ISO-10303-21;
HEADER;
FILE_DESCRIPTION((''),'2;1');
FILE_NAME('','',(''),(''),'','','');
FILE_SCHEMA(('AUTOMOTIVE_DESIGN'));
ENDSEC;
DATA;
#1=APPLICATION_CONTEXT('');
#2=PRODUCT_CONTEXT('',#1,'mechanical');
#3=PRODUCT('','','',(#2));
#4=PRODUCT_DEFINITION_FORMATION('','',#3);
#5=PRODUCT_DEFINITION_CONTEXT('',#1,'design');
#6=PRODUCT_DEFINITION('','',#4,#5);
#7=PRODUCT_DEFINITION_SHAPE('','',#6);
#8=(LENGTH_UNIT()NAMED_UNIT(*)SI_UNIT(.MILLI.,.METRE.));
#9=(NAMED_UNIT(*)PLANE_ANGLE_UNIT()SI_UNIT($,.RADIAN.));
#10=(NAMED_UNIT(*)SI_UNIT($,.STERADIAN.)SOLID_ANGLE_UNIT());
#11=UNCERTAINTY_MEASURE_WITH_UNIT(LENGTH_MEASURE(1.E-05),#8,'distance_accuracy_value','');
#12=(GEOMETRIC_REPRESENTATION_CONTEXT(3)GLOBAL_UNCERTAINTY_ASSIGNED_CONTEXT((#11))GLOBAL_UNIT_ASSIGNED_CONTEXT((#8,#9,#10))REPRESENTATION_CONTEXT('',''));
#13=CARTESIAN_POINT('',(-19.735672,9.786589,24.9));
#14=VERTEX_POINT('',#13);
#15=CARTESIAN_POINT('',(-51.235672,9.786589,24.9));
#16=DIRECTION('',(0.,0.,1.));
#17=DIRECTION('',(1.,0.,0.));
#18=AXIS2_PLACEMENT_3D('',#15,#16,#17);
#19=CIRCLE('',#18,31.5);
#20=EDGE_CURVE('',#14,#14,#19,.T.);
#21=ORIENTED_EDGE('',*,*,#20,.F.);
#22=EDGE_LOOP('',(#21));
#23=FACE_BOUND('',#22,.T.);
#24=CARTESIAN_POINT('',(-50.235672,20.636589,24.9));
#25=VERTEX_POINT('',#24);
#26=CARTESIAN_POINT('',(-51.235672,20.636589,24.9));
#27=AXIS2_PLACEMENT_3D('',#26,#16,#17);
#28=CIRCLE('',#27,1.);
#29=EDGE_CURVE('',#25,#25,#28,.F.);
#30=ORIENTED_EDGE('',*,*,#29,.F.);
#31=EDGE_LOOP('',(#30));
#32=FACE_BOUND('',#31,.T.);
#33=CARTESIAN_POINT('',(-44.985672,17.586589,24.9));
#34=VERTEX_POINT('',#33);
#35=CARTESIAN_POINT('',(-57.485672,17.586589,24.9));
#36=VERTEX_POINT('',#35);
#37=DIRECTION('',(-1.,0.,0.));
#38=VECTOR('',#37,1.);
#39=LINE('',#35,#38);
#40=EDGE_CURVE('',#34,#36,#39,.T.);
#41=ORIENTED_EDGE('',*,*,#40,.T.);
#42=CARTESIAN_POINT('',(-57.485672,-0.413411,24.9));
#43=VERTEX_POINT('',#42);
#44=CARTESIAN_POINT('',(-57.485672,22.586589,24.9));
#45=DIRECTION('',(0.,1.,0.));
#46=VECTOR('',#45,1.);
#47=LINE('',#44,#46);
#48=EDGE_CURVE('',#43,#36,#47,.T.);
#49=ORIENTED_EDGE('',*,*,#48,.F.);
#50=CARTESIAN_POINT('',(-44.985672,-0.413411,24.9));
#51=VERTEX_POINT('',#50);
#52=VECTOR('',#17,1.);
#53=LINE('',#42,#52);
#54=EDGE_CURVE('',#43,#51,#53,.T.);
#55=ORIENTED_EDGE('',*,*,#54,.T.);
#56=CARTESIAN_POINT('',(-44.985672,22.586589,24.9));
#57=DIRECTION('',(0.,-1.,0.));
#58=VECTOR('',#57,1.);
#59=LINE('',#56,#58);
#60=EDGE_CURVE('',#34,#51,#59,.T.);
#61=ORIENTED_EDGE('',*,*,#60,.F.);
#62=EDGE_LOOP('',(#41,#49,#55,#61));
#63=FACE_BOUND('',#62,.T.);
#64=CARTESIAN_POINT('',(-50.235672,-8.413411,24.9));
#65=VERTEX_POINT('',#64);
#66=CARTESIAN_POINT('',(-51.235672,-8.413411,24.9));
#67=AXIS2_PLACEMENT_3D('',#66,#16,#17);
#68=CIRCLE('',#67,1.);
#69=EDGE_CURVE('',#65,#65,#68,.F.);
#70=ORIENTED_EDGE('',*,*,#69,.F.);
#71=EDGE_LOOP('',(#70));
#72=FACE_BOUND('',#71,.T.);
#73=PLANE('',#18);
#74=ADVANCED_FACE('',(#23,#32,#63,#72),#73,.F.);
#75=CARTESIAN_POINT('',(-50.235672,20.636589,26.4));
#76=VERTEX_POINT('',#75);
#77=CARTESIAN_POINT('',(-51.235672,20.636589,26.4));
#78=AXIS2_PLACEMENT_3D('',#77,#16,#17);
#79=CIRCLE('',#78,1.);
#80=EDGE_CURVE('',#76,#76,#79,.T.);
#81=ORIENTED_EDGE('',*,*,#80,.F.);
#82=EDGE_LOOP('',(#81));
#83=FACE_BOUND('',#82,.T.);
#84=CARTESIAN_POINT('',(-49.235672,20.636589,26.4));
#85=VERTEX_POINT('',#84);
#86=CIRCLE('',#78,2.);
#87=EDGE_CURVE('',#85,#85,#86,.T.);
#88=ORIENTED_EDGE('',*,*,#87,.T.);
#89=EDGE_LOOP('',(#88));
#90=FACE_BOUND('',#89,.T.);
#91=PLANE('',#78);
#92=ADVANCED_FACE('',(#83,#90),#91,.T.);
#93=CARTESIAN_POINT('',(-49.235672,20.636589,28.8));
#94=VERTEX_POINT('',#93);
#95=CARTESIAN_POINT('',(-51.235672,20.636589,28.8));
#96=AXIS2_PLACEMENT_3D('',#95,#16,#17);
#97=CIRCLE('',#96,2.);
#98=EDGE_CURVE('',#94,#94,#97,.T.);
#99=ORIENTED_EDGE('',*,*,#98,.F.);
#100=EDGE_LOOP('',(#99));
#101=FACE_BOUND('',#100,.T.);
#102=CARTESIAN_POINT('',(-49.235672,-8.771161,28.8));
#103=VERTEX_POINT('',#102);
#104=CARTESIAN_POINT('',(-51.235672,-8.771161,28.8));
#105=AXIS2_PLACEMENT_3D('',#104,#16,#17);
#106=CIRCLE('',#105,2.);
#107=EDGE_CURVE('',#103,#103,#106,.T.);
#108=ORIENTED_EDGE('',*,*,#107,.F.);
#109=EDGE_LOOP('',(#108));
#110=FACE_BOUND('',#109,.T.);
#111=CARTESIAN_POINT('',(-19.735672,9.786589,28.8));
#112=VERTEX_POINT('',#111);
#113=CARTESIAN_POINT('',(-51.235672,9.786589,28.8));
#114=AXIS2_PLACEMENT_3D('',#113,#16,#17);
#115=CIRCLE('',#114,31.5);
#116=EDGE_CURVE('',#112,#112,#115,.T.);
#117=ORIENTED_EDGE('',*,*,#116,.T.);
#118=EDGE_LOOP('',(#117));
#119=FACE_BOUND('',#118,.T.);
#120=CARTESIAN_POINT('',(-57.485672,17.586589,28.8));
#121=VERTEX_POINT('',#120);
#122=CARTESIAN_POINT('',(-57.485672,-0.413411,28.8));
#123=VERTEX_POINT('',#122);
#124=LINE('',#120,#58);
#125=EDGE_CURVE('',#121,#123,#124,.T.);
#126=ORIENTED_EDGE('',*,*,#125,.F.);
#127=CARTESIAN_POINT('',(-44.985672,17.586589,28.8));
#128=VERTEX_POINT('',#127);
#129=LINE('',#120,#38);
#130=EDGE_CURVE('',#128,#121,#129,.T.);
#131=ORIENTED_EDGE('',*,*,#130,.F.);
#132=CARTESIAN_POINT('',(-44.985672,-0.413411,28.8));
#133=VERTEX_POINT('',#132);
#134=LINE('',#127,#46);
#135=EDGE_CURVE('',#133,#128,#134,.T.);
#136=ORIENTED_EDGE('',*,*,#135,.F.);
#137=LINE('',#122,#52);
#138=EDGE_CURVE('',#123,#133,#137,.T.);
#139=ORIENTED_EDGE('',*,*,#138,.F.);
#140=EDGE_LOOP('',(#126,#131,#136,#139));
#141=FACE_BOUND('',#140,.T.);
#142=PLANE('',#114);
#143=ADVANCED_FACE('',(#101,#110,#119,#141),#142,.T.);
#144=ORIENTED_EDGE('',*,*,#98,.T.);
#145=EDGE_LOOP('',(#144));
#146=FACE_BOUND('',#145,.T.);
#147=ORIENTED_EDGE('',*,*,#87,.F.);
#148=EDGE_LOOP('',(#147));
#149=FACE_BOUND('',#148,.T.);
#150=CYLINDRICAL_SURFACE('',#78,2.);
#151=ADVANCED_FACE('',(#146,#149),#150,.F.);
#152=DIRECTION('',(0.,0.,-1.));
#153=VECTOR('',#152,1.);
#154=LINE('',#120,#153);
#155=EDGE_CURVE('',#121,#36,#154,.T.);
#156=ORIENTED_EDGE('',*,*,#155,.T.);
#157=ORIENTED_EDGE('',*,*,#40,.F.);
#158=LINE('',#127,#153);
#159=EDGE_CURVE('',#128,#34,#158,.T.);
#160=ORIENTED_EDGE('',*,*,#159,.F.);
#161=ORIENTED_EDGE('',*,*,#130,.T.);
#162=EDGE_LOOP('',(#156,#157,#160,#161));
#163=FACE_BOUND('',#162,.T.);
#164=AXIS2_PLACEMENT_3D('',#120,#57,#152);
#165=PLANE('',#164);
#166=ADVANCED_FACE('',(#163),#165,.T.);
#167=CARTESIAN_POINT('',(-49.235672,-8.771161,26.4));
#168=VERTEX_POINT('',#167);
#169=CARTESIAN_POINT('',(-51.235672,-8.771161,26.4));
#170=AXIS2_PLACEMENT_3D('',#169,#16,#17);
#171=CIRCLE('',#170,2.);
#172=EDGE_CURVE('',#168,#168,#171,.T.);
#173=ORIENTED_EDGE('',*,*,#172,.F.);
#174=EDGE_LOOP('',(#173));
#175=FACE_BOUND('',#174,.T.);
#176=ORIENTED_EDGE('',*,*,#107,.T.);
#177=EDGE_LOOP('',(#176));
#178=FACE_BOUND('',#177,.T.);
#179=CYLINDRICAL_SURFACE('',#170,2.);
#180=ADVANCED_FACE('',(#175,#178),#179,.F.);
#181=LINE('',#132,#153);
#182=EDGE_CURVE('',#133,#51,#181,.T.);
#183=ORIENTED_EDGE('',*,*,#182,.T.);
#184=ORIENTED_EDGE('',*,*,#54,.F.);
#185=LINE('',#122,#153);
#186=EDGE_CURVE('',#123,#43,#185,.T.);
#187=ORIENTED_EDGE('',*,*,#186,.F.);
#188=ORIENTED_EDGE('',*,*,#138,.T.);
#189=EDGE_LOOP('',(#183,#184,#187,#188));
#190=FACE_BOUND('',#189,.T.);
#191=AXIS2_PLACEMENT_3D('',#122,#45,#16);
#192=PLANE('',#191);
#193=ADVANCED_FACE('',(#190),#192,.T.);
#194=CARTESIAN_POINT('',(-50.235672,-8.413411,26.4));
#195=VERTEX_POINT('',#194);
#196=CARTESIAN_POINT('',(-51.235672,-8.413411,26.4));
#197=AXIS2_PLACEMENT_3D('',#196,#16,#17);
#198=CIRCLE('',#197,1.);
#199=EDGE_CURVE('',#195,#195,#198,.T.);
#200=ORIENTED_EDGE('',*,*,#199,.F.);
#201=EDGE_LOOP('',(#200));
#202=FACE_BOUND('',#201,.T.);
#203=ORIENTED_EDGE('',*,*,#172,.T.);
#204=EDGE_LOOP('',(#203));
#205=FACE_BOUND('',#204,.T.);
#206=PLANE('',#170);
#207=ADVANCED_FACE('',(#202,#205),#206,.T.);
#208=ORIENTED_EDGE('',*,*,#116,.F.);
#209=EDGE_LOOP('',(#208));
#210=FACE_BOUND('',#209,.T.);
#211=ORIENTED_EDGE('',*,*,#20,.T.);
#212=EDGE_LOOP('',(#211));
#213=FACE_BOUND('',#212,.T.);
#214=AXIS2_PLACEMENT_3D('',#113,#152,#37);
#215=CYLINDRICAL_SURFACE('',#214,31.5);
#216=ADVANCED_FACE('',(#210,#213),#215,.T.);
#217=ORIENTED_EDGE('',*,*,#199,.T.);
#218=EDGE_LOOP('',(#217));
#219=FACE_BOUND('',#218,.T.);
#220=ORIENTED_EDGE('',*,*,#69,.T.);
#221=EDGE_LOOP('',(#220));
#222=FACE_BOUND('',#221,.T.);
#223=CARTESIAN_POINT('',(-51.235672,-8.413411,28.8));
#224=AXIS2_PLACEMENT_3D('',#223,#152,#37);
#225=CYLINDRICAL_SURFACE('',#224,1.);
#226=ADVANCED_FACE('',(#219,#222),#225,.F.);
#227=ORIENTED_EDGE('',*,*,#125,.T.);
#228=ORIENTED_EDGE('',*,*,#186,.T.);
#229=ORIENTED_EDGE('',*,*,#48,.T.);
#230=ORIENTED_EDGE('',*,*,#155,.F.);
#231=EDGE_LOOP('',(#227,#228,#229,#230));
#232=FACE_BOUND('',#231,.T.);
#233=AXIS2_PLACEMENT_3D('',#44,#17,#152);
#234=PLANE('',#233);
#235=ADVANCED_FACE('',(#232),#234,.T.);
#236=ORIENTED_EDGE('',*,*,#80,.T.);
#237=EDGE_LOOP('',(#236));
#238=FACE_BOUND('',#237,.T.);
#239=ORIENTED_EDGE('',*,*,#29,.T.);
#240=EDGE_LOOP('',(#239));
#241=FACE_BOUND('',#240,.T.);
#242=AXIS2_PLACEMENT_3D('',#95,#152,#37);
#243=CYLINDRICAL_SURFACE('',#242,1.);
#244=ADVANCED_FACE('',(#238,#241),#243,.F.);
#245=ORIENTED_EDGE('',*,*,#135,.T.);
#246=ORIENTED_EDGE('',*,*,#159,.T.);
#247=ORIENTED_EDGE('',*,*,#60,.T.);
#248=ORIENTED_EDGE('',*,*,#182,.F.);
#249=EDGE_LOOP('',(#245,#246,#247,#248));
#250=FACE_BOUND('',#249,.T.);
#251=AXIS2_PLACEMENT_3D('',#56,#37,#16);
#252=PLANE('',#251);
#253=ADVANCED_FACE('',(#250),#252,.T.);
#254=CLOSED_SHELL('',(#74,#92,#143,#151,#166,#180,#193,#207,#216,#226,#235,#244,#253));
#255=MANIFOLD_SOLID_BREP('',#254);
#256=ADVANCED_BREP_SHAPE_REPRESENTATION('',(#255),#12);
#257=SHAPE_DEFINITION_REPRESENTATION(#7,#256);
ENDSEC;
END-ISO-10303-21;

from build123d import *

# Parameters (mm, degrees)
CROQUIS1_R              = 31.5
SALIENTE_EXTRUIR1_DEPTH = 2.4
CROQUIS2_W              = 16.1
CROQUIS2_H              = 36.6
CROQUIS2_W_2            = 12.5
CROQUIS2_H_2            = 33
SALIENTE_EXTRUIR2_DEPTH = 22.5
CROQUIS5_W              = 16.1
CROQUIS5_H              = 36.6
CORTAR_EXTRUIR2_DEPTH   = 9
CROQUIS6_R              = 1.5
CORTAR_EXTRUIR3_DEPTH   = 2.4
CROQUIS7_W              = 12.5
CROQUIS7_H              = 9
SALIENTE_EXTRUIR3_DEPTH = 33
CROQUIS8_R              = 1
CORTAR_EXTRUIR5_DEPTH   = 9
SALIENTE_EXTRUIR4_DEPTH = 12.5
CROQUIS10_W             = 4
CROQUIS10_H             = 2
CORTAR_EXTRUIR6_DEPTH   = 9
CROQUIS11_R             = 31.5
CROQUIS11_W             = 12.5
CROQUIS11_H             = 18
SALIENTE_EXTRUIR5_DEPTH = 3.9
CORTAR_EXTRUIR7_START   = 7
CROQUIS12_R             = 1
CORTAR_EXTRUIR7_DEPTH   = 3.9
CROQUIS13_R             = 2
CORTAR_EXTRUIR8_DEPTH   = 2.4
CROQUIS14_R             = 31.5
CORTAR_EXTRUIR9_DEPTH   = 24.9


with BuildPart() as part:
    # Croquis1 → Saliente-Extruir1 (new body)
    with BuildSketch(Plane.XY):
        with Locations((-51.235671923, 9.786589019)):
            Circle(CROQUIS1_R)
    extrude(amount=SALIENTE_EXTRUIR1_DEPTH)

    # Croquis2 → Saliente-Extruir2 (add)
    with BuildSketch(Plane.XY.offset(2.4)):
        with Locations((-51.235671923, 6.086589019)):
            Rectangle(CROQUIS2_W, CROQUIS2_H)
        with Locations((-51.235671923, 6.086589019)):
            Rectangle(CROQUIS2_W_2, CROQUIS2_H_2, mode=Mode.SUBTRACT)
    extrude(amount=SALIENTE_EXTRUIR2_DEPTH)

    # Croquis5 → Cortar-Extruir2 (cut)
    with BuildSketch(Plane.XY.offset(2.4)):
        with Locations((-51.235671923, 6.086589019)):
            Rectangle(CROQUIS5_W, CROQUIS5_H)
    extrude(amount=-CORTAR_EXTRUIR2_DEPTH, mode=Mode.SUBTRACT)


with BuildPart() as cortar_extruir2_piece_1:
    # of the separate pieces the step leaves, piece 1, a body of its own (cortar_extruir2_pieces)
    add(part.part.solids().sort_by_distance((-19.735671923, 9.786589019, 0))[0])

    # Croquis6 → Cortar-Extruir3 (cut)
    with BuildSketch(Plane(origin=(0, 0, 0), x_dir=(-1, 0, 0), z_dir=(0, 0, -1))):
        with Locations((34.618662565, 26.403598377)):
            Circle(CROQUIS6_R)
        with Locations((67.85268128, 26.403598377)):
            Circle(CROQUIS6_R)
        with Locations((67.85268128, -6.830420339)):
            Circle(CROQUIS6_R)
        with Locations((34.618662565, -6.830420339)):
            Circle(CROQUIS6_R)
        Polygon((51.235671923, 24.386589019), (53.235671923, 24.386589019), (53.235671923, 44.386589019), (49.235671923, 44.386589019), (49.235671923, 24.386589019), align=None)
    extrude(amount=-CORTAR_EXTRUIR3_DEPTH, mode=Mode.SUBTRACT)


with BuildPart() as cortar_extruir2_piece_2:
    # of the separate pieces the step leaves, piece 2, a body of its own (cortar_extruir2_pieces)
    add(part.part.solids().sort_by_distance((-59.285671923, -12.213410981, 24.9))[0])

    # Croquis7 → Saliente-Extruir3 (add)
    with BuildSketch(Plane.XZ.offset(-22.586589019)):
        with Locations((-51.235671923, 13.4)):
            Rectangle(CROQUIS7_W, CROQUIS7_H)
    extrude(amount=SALIENTE_EXTRUIR3_DEPTH)

    # Croquis8 → Cortar-Extruir5 (cut)
    with BuildSketch(Plane.XY.offset(17.9)):
        with Locations((-51.235671923, -8.413410981)):
            Circle(CROQUIS8_R)
        with Locations((-51.235671923, 20.636589019)):
            Circle(CROQUIS8_R)
        Polygon((-44.985671923, -5.413410981), (-57.485671923, -5.413410981), (-57.485671923, 17.586589019), (-53.235671923, 17.586589019), (-53.235671923, 19.586589019), (-49.235671923, 19.586589019), (-49.235671923, 17.586589019), (-44.985671923, 17.586589019), align=None)
    extrude(amount=-CORTAR_EXTRUIR5_DEPTH, mode=Mode.SUBTRACT)

    # Croquis9 → Saliente-Extruir4 (add)
    with BuildSketch(Plane.ZY.offset(44.985671923)):
        Polygon((8.9, -5.413410981), (3.9, -10.413410981), (8.9, -10.413410981), align=None)
        Polygon((8.9, 17.586589019), (3.9, 22.586589019), (8.9, 22.586589019), align=None)
    extrude(amount=SALIENTE_EXTRUIR4_DEPTH)

    # Croquis10 → Cortar-Extruir6 (cut)
    with BuildSketch(Plane.XY.offset(8.9)):
        with Locations((-51.235671923, 18.586589019)):
            Rectangle(CROQUIS10_W, CROQUIS10_H)
    extrude(amount=-CORTAR_EXTRUIR6_DEPTH, mode=Mode.SUBTRACT)

    # Croquis11 → Saliente-Extruir5 (add)
    with BuildSketch(Plane.XY.offset(24.9)):
        with Locations((-51.235671923, 9.786589019)):
            Circle(CROQUIS11_R)
        with Locations((-51.235671923, 8.586589019)):
            Rectangle(CROQUIS11_W, CROQUIS11_H, mode=Mode.SUBTRACT)
    extrude(amount=SALIENTE_EXTRUIR5_DEPTH)

    # Croquis12 → Cortar-Extruir7 (cut)
    with BuildSketch(Plane.XY.offset(17.9).offset(CORTAR_EXTRUIR7_START)):
        with Locations((-51.235671923, 20.636589019)):
            Circle(CROQUIS12_R)
        with Locations((-51.235671923, -8.413410981)):
            Circle(CROQUIS12_R)
    extrude(amount=CORTAR_EXTRUIR7_DEPTH, mode=Mode.SUBTRACT)

    # Croquis13 → Cortar-Extruir8 (cut)
    with BuildSketch(Plane.XY.offset(28.8)):
        with Locations((-51.235671923, 20.636589019)):
            Circle(CROQUIS13_R)
        with Locations((-51.235671923, -8.771160787)):
            Circle(CROQUIS13_R)
    extrude(amount=-CORTAR_EXTRUIR8_DEPTH, mode=Mode.SUBTRACT)


with BuildPart() as cortar_extruir9_tool:
    # Croquis14 → Cortar-Extruir9 (new body)
    with BuildSketch(Plane(origin=(0, 0, 0), x_dir=(-1, 0, 0), z_dir=(0, 0, -1))):
        with Locations(Location((51.235671923, 9.786589019, 0), (0, 0, 180))):
            Circle(CROQUIS14_R)
    extrude(amount=-CORTAR_EXTRUIR9_DEPTH)


with BuildPart() as cortar_extruir2_piece_1_1:
    add(cortar_extruir2_piece_1.part)

    # Cortar-Extruir9: cut by cortar_extruir9_tool
    add(cortar_extruir9_tool.part, mode=Mode.SUBTRACT)


with BuildPart() as cortar_extruir2_piece_2_1:
    add(cortar_extruir2_piece_2.part)

    # Cortar-Extruir9: cut by cortar_extruir9_tool
    add(cortar_extruir9_tool.part, mode=Mode.SUBTRACT)


solid = cortar_extruir2_piece_2_1.part
